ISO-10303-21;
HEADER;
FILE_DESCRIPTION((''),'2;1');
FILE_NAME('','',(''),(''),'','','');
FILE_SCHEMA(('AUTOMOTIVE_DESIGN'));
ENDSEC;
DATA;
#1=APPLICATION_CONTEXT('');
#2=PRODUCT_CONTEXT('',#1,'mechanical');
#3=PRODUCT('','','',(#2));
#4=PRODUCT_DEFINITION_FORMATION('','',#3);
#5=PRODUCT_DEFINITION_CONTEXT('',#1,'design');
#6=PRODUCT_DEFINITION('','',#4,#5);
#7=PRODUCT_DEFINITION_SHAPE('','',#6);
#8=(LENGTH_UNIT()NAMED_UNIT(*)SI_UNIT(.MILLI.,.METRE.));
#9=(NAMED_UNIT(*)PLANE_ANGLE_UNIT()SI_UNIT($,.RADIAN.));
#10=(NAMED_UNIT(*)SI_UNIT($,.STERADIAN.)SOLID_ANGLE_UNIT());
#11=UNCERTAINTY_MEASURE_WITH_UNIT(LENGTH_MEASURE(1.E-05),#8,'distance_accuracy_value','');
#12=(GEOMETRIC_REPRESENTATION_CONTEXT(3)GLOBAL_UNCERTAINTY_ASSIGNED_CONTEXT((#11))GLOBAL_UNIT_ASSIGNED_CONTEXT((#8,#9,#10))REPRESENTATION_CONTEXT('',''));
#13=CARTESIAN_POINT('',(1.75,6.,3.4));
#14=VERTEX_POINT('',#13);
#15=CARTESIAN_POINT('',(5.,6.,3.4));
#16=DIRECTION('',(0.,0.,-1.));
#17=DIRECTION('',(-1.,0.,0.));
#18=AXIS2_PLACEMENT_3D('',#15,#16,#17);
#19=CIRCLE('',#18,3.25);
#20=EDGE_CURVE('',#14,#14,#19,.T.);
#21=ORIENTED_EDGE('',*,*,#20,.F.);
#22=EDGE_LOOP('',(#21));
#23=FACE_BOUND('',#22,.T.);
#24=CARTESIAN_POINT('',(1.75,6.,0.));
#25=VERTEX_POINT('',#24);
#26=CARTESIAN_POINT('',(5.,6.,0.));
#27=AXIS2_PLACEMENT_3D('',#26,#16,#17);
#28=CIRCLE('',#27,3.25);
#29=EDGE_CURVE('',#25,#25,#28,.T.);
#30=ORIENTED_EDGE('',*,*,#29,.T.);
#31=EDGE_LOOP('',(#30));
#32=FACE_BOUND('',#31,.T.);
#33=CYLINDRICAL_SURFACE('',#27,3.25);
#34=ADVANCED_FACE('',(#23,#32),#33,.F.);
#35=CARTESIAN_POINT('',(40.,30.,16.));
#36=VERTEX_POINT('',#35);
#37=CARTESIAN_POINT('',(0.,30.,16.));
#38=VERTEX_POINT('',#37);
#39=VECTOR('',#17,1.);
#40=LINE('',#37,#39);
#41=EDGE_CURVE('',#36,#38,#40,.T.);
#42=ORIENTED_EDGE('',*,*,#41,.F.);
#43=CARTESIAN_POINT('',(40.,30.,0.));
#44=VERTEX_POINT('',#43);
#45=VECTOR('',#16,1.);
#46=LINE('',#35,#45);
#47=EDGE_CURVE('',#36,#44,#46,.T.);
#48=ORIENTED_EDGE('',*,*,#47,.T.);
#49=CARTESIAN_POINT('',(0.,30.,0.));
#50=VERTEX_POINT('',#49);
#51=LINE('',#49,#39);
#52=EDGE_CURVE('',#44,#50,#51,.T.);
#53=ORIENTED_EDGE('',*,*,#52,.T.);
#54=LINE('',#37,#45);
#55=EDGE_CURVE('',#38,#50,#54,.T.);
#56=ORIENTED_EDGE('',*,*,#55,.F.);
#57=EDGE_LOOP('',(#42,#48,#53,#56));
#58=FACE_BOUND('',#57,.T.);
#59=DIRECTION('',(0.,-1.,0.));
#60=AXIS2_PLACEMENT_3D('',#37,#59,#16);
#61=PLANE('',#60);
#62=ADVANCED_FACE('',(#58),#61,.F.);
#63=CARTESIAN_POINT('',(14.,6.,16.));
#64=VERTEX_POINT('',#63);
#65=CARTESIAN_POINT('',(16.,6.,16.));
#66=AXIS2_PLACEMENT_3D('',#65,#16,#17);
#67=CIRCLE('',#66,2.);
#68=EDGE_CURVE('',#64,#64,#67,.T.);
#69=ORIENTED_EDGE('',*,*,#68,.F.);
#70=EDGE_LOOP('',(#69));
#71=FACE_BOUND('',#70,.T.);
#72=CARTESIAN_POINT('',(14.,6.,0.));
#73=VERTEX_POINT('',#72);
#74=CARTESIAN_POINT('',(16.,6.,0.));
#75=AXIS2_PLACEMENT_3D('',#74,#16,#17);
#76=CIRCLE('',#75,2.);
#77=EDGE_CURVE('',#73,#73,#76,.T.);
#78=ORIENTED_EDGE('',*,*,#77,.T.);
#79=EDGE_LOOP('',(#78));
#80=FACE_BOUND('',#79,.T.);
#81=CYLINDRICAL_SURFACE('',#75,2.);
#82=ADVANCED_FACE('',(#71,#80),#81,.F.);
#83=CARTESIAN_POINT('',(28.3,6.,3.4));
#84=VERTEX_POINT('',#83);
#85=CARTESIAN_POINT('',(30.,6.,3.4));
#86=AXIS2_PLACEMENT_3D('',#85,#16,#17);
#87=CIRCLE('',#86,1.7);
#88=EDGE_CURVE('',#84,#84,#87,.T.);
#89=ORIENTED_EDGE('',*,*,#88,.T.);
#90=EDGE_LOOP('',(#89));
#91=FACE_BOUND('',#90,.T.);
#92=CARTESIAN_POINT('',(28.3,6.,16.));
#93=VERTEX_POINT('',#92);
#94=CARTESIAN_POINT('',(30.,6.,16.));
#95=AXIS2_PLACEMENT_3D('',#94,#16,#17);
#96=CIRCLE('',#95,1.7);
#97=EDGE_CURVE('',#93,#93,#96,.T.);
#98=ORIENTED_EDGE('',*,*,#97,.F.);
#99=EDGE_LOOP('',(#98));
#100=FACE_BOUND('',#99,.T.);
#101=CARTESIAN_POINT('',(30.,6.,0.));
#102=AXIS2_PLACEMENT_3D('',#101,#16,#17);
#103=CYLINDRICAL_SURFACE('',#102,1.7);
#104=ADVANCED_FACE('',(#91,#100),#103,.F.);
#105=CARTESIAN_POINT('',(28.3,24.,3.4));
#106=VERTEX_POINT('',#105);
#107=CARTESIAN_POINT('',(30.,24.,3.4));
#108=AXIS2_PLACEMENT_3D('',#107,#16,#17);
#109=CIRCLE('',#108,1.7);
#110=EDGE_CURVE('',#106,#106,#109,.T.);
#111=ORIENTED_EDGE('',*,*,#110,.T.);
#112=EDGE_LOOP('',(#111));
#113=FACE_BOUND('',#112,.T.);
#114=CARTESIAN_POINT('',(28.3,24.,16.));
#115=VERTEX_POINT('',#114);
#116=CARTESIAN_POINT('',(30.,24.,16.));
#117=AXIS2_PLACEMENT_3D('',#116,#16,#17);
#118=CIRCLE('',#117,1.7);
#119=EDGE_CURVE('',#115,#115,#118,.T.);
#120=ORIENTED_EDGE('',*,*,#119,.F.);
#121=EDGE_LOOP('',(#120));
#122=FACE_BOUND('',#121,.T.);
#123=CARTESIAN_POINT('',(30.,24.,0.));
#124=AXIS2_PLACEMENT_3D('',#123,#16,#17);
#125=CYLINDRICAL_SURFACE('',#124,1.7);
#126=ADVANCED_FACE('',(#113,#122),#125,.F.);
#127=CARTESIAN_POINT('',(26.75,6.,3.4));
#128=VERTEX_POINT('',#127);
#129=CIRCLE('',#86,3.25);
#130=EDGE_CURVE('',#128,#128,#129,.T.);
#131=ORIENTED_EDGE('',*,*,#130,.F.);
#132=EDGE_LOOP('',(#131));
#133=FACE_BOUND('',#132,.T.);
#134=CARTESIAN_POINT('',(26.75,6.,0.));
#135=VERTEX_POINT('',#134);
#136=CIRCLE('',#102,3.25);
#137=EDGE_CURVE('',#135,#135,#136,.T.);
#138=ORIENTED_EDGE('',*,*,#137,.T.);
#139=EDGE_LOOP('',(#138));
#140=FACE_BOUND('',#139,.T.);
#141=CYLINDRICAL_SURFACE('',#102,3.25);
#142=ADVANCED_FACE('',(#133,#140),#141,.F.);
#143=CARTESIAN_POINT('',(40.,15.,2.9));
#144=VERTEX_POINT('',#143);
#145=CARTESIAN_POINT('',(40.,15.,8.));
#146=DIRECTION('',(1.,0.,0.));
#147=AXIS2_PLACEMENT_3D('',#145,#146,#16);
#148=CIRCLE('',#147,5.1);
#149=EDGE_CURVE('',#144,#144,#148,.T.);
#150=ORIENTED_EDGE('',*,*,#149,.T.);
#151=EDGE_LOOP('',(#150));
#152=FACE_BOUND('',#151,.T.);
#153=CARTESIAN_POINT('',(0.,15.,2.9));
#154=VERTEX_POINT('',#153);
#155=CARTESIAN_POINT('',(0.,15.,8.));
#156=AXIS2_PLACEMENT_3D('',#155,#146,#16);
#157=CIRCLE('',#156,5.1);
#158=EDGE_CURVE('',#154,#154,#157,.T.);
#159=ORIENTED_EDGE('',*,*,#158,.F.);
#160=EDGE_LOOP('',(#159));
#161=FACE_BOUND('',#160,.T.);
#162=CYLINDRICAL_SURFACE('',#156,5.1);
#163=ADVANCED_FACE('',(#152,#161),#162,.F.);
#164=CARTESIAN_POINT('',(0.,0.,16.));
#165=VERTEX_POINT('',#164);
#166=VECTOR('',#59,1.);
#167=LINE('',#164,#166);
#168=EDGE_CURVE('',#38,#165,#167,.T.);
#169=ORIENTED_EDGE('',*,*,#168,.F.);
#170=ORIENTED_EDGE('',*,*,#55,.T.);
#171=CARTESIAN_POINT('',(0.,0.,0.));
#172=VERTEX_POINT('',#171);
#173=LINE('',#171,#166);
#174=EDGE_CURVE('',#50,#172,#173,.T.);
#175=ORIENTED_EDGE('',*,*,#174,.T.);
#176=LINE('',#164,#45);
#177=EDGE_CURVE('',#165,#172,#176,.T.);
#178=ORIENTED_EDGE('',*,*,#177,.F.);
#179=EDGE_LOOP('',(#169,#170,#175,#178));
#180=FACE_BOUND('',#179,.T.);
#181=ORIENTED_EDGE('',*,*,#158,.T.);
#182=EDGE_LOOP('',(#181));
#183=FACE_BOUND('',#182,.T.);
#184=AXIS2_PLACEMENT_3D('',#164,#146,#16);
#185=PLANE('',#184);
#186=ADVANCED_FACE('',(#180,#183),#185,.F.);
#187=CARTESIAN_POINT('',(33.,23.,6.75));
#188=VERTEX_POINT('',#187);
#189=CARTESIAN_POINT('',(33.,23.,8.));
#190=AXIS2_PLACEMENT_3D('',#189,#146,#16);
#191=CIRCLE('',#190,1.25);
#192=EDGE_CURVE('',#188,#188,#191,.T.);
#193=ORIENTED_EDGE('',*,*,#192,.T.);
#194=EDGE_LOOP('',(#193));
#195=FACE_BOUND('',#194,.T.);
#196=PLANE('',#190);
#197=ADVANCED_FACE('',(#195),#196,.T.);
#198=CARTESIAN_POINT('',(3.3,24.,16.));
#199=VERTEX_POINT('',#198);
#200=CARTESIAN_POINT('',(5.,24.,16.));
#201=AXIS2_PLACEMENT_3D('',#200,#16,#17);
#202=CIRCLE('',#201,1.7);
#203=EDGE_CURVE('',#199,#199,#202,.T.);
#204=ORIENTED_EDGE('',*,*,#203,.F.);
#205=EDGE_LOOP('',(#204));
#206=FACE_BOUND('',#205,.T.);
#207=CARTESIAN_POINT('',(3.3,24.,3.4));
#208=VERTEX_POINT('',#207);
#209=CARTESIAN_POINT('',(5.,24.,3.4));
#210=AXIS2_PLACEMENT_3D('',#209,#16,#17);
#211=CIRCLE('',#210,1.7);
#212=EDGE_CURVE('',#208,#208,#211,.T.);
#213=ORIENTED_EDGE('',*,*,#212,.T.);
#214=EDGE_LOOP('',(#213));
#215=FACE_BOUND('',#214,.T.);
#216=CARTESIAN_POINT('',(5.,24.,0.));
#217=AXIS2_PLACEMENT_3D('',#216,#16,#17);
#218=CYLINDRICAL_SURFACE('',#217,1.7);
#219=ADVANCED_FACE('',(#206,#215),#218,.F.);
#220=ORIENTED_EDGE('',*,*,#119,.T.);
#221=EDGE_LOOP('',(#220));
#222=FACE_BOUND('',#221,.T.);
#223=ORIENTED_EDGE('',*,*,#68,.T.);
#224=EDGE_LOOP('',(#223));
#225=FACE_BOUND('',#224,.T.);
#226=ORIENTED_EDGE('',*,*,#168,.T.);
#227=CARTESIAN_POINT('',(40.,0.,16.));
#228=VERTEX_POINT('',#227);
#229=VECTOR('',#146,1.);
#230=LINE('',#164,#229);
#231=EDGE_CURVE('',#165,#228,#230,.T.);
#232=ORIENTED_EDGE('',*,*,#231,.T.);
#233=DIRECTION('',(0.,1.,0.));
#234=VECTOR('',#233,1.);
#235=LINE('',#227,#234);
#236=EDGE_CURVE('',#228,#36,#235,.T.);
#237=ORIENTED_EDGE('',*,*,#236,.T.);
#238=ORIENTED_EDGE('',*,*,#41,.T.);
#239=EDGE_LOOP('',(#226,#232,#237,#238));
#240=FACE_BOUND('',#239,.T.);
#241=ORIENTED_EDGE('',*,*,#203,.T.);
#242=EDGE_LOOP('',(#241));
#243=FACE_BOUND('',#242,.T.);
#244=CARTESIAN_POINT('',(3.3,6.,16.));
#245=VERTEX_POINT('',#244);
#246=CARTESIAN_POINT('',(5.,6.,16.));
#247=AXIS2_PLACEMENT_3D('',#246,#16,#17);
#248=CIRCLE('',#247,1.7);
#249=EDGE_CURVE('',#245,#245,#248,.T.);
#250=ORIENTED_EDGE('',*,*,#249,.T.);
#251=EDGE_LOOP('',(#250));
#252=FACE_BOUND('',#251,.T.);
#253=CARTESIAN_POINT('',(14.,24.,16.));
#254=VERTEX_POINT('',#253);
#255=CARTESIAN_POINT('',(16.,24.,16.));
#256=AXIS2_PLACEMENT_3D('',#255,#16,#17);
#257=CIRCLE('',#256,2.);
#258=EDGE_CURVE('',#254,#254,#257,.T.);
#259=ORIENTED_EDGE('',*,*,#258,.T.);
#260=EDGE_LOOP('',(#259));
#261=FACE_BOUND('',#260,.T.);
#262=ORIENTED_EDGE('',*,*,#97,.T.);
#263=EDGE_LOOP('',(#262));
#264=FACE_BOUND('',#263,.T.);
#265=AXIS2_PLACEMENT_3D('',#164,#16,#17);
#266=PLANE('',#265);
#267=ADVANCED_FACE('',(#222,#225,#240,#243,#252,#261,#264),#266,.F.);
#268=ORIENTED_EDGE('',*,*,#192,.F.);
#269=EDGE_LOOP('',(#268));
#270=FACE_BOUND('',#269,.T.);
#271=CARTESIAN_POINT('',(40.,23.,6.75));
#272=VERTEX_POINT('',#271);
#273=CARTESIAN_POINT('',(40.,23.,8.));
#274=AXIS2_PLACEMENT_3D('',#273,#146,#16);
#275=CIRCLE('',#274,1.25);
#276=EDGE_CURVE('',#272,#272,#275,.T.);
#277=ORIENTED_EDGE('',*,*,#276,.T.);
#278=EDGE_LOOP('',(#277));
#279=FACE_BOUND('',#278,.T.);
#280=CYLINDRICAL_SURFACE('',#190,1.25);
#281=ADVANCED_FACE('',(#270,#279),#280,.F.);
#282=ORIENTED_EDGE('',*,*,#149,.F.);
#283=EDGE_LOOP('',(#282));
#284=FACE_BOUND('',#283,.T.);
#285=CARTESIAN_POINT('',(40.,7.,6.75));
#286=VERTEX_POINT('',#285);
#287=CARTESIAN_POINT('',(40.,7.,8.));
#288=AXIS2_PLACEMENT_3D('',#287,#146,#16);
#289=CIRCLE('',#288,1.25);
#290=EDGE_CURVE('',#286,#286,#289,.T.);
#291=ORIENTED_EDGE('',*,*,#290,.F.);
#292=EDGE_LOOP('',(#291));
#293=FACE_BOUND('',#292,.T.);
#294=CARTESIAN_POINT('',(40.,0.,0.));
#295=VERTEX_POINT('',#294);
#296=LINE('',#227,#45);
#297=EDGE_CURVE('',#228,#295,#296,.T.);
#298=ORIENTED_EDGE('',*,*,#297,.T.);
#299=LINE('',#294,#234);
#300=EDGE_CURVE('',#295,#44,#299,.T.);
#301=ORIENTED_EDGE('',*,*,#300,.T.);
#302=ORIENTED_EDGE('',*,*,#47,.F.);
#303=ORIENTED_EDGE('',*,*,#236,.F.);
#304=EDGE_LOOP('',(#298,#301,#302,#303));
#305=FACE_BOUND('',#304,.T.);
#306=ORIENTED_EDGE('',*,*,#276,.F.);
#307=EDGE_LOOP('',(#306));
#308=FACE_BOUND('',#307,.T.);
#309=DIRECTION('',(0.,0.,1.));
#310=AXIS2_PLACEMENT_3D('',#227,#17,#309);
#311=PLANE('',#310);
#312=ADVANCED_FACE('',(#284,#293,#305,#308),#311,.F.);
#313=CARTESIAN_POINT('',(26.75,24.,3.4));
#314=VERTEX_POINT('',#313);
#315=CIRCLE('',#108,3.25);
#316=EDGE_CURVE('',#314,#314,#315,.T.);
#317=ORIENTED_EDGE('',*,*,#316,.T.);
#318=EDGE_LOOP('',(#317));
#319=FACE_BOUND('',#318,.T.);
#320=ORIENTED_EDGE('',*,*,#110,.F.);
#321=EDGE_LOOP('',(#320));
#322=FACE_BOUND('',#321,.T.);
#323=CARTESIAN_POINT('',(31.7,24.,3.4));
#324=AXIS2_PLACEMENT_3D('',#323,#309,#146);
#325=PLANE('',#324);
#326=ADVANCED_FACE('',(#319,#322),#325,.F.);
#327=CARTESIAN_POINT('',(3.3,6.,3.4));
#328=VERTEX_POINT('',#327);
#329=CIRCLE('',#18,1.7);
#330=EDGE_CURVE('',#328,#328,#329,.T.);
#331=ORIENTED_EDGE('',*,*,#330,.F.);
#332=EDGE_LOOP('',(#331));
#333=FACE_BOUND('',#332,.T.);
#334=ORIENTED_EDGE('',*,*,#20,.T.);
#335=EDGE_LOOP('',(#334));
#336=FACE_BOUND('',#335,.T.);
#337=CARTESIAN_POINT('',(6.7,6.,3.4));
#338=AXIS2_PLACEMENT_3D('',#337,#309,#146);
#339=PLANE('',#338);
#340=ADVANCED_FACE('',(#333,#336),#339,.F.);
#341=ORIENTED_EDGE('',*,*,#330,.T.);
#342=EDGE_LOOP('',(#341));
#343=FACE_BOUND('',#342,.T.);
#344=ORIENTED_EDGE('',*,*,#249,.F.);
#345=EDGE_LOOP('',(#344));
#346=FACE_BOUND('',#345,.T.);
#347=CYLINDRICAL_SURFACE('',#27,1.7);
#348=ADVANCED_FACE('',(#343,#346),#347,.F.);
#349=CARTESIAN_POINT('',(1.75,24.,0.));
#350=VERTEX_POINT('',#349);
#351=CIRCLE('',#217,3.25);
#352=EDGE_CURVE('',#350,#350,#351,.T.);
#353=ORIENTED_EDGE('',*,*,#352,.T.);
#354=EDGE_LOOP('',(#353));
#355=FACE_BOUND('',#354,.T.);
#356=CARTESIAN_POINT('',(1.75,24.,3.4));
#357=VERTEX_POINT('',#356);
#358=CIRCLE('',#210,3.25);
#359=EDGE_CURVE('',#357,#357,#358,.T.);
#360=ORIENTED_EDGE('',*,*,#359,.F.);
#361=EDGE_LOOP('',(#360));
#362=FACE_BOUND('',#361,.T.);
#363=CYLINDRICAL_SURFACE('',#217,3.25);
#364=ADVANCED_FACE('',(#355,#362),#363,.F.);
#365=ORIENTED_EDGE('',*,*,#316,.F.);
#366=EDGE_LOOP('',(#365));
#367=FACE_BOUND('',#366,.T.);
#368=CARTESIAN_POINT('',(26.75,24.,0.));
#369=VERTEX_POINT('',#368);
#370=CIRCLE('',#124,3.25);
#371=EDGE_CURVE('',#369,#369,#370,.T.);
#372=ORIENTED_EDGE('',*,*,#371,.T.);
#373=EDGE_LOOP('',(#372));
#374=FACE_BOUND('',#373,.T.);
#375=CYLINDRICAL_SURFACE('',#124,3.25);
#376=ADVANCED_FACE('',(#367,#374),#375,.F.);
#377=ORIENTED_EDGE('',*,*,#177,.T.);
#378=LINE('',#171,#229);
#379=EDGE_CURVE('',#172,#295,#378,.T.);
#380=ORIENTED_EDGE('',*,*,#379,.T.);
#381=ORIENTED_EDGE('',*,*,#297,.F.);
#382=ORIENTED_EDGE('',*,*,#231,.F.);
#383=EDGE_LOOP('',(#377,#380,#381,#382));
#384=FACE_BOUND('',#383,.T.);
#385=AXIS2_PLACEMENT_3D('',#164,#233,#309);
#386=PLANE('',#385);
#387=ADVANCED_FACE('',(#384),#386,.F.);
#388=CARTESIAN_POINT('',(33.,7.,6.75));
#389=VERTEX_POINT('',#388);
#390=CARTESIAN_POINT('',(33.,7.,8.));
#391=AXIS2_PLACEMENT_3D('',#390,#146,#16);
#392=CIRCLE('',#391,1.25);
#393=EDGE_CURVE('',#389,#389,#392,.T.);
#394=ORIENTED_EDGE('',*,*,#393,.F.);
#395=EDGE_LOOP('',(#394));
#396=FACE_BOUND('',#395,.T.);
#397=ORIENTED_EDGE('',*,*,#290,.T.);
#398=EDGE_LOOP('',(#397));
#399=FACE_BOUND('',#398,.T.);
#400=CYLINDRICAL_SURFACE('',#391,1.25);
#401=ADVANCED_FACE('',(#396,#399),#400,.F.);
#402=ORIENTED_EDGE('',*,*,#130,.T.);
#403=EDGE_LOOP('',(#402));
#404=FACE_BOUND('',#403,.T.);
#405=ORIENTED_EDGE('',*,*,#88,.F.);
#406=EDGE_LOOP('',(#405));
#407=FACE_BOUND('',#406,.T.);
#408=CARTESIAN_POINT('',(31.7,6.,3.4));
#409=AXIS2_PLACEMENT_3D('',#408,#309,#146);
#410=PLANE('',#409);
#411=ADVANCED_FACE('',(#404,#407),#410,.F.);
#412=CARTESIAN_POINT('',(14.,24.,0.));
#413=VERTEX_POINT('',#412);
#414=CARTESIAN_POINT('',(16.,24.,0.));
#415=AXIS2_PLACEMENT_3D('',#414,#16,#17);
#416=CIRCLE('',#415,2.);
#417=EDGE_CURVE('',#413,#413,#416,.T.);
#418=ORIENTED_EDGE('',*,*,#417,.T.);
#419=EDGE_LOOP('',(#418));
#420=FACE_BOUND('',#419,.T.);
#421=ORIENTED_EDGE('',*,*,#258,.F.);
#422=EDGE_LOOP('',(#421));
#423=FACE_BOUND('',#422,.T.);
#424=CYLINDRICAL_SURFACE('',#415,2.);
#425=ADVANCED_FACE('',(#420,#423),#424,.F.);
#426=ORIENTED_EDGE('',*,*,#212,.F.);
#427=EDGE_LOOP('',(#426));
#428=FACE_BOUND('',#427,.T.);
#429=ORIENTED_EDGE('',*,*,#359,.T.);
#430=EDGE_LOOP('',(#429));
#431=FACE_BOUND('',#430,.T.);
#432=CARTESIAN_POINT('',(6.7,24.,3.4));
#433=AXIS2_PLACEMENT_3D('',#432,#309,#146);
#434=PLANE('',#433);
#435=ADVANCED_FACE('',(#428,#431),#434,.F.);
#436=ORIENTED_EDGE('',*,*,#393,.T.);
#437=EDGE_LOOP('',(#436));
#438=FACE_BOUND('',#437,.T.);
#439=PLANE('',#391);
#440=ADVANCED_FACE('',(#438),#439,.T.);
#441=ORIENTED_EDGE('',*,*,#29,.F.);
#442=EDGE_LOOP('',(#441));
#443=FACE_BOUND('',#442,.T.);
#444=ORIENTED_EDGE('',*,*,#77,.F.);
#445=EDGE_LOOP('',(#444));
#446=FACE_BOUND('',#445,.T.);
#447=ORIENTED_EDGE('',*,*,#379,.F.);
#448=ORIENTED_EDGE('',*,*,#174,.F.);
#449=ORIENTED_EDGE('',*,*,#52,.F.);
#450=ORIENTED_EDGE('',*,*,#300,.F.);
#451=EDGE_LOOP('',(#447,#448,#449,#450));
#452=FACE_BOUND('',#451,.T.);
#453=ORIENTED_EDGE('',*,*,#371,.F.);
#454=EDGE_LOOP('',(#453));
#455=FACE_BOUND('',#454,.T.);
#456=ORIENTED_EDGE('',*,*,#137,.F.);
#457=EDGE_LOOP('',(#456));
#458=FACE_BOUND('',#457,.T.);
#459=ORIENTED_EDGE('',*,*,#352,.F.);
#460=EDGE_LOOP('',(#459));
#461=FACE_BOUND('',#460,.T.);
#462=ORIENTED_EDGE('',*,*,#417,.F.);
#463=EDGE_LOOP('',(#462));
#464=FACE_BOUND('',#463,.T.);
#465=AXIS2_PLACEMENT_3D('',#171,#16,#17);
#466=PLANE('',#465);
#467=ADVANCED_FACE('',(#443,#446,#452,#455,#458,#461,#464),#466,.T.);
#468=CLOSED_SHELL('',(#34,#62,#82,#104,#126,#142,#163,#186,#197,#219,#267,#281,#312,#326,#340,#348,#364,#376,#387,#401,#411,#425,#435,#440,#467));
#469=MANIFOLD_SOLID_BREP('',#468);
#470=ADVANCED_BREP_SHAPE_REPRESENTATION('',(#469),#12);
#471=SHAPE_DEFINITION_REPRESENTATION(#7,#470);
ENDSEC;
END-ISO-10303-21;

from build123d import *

# Parameters (mm, degrees)
CROQUIS1_W                                           = 40
CROQUIS1_H                                           = 30
SALIENTE_EXTRUIR1_DEPTH                              = 16
CROQUIS2_R                                           = 5.1
CORTAR_EXTRUIR1_DEPTH                                = 41
REFRENTADO_PARA_TORNILLO_CON_CABEZA_HUEC_D           = 3.4
REFRENTADO_PARA_TORNILLO_CON_CABEZA_HUEC_CBORE_D     = 6.5
REFRENTADO_PARA_TORNILLO_CON_CABEZA_HUEC_CBORE_DEPTH = 3.4
DI_METRO_DE_TALADRO_4_0_4_1_D                        = 4
CROQUIS7_R                                           = 1.25
CORTAR_EXTRUIR2_DEPTH                                = 7


with BuildPart() as part:
    # Croquis1 → Saliente-Extruir1 (new body)
    with BuildSketch(Plane.XY):
        with Locations((20, 15)):
            Rectangle(CROQUIS1_W, CROQUIS1_H)
    extrude(amount=SALIENTE_EXTRUIR1_DEPTH)

    # Croquis2 → Cortar-Extruir1 (cut, through all)
    with BuildSketch(Plane(origin=(40, 0, 0), x_dir=(0, 0, -1), z_dir=(1, 0, 0))):
        with Locations((-8, 15)):
            Circle(CROQUIS2_R)
    extrude(amount=-CORTAR_EXTRUIR1_DEPTH, mode=Mode.SUBTRACT)

    # Refrentado para tornillo con cabeza hueca de M31 (through all)
    with Locations(Plane(origin=(0, 0, 0), x_dir=(-1, 0, 0), z_dir=(0, 0, -1))):
        with Locations((-5, 6), (-30, 6), (-30, 24), (-5, 24)):
            CounterBoreHole(REFRENTADO_PARA_TORNILLO_CON_CABEZA_HUEC_D / 2, REFRENTADO_PARA_TORNILLO_CON_CABEZA_HUEC_CBORE_D / 2, REFRENTADO_PARA_TORNILLO_CON_CABEZA_HUEC_CBORE_DEPTH)

    # Diámetro de taladro Ø4.0 (4)1 (through all)
    with Locations(Plane(origin=(0, 0, 0), x_dir=(-1, 0, 0), z_dir=(0, 0, -1))):
        with Locations((-16, 6), (-16, 24)):
            Hole(DI_METRO_DE_TALADRO_4_0_4_1_D / 2)

    # Croquis7 → Cortar-Extruir2 (cut)
    with BuildSketch(Plane(origin=(40, 0, 0), x_dir=(0, 0, -1), z_dir=(1, 0, 0))):
        with Locations((-8, 23)):
            Circle(CROQUIS7_R)
        with Locations((-8, 7)):
            Circle(CROQUIS7_R)
    extrude(amount=-CORTAR_EXTRUIR2_DEPTH, mode=Mode.SUBTRACT)


solid = part.part
